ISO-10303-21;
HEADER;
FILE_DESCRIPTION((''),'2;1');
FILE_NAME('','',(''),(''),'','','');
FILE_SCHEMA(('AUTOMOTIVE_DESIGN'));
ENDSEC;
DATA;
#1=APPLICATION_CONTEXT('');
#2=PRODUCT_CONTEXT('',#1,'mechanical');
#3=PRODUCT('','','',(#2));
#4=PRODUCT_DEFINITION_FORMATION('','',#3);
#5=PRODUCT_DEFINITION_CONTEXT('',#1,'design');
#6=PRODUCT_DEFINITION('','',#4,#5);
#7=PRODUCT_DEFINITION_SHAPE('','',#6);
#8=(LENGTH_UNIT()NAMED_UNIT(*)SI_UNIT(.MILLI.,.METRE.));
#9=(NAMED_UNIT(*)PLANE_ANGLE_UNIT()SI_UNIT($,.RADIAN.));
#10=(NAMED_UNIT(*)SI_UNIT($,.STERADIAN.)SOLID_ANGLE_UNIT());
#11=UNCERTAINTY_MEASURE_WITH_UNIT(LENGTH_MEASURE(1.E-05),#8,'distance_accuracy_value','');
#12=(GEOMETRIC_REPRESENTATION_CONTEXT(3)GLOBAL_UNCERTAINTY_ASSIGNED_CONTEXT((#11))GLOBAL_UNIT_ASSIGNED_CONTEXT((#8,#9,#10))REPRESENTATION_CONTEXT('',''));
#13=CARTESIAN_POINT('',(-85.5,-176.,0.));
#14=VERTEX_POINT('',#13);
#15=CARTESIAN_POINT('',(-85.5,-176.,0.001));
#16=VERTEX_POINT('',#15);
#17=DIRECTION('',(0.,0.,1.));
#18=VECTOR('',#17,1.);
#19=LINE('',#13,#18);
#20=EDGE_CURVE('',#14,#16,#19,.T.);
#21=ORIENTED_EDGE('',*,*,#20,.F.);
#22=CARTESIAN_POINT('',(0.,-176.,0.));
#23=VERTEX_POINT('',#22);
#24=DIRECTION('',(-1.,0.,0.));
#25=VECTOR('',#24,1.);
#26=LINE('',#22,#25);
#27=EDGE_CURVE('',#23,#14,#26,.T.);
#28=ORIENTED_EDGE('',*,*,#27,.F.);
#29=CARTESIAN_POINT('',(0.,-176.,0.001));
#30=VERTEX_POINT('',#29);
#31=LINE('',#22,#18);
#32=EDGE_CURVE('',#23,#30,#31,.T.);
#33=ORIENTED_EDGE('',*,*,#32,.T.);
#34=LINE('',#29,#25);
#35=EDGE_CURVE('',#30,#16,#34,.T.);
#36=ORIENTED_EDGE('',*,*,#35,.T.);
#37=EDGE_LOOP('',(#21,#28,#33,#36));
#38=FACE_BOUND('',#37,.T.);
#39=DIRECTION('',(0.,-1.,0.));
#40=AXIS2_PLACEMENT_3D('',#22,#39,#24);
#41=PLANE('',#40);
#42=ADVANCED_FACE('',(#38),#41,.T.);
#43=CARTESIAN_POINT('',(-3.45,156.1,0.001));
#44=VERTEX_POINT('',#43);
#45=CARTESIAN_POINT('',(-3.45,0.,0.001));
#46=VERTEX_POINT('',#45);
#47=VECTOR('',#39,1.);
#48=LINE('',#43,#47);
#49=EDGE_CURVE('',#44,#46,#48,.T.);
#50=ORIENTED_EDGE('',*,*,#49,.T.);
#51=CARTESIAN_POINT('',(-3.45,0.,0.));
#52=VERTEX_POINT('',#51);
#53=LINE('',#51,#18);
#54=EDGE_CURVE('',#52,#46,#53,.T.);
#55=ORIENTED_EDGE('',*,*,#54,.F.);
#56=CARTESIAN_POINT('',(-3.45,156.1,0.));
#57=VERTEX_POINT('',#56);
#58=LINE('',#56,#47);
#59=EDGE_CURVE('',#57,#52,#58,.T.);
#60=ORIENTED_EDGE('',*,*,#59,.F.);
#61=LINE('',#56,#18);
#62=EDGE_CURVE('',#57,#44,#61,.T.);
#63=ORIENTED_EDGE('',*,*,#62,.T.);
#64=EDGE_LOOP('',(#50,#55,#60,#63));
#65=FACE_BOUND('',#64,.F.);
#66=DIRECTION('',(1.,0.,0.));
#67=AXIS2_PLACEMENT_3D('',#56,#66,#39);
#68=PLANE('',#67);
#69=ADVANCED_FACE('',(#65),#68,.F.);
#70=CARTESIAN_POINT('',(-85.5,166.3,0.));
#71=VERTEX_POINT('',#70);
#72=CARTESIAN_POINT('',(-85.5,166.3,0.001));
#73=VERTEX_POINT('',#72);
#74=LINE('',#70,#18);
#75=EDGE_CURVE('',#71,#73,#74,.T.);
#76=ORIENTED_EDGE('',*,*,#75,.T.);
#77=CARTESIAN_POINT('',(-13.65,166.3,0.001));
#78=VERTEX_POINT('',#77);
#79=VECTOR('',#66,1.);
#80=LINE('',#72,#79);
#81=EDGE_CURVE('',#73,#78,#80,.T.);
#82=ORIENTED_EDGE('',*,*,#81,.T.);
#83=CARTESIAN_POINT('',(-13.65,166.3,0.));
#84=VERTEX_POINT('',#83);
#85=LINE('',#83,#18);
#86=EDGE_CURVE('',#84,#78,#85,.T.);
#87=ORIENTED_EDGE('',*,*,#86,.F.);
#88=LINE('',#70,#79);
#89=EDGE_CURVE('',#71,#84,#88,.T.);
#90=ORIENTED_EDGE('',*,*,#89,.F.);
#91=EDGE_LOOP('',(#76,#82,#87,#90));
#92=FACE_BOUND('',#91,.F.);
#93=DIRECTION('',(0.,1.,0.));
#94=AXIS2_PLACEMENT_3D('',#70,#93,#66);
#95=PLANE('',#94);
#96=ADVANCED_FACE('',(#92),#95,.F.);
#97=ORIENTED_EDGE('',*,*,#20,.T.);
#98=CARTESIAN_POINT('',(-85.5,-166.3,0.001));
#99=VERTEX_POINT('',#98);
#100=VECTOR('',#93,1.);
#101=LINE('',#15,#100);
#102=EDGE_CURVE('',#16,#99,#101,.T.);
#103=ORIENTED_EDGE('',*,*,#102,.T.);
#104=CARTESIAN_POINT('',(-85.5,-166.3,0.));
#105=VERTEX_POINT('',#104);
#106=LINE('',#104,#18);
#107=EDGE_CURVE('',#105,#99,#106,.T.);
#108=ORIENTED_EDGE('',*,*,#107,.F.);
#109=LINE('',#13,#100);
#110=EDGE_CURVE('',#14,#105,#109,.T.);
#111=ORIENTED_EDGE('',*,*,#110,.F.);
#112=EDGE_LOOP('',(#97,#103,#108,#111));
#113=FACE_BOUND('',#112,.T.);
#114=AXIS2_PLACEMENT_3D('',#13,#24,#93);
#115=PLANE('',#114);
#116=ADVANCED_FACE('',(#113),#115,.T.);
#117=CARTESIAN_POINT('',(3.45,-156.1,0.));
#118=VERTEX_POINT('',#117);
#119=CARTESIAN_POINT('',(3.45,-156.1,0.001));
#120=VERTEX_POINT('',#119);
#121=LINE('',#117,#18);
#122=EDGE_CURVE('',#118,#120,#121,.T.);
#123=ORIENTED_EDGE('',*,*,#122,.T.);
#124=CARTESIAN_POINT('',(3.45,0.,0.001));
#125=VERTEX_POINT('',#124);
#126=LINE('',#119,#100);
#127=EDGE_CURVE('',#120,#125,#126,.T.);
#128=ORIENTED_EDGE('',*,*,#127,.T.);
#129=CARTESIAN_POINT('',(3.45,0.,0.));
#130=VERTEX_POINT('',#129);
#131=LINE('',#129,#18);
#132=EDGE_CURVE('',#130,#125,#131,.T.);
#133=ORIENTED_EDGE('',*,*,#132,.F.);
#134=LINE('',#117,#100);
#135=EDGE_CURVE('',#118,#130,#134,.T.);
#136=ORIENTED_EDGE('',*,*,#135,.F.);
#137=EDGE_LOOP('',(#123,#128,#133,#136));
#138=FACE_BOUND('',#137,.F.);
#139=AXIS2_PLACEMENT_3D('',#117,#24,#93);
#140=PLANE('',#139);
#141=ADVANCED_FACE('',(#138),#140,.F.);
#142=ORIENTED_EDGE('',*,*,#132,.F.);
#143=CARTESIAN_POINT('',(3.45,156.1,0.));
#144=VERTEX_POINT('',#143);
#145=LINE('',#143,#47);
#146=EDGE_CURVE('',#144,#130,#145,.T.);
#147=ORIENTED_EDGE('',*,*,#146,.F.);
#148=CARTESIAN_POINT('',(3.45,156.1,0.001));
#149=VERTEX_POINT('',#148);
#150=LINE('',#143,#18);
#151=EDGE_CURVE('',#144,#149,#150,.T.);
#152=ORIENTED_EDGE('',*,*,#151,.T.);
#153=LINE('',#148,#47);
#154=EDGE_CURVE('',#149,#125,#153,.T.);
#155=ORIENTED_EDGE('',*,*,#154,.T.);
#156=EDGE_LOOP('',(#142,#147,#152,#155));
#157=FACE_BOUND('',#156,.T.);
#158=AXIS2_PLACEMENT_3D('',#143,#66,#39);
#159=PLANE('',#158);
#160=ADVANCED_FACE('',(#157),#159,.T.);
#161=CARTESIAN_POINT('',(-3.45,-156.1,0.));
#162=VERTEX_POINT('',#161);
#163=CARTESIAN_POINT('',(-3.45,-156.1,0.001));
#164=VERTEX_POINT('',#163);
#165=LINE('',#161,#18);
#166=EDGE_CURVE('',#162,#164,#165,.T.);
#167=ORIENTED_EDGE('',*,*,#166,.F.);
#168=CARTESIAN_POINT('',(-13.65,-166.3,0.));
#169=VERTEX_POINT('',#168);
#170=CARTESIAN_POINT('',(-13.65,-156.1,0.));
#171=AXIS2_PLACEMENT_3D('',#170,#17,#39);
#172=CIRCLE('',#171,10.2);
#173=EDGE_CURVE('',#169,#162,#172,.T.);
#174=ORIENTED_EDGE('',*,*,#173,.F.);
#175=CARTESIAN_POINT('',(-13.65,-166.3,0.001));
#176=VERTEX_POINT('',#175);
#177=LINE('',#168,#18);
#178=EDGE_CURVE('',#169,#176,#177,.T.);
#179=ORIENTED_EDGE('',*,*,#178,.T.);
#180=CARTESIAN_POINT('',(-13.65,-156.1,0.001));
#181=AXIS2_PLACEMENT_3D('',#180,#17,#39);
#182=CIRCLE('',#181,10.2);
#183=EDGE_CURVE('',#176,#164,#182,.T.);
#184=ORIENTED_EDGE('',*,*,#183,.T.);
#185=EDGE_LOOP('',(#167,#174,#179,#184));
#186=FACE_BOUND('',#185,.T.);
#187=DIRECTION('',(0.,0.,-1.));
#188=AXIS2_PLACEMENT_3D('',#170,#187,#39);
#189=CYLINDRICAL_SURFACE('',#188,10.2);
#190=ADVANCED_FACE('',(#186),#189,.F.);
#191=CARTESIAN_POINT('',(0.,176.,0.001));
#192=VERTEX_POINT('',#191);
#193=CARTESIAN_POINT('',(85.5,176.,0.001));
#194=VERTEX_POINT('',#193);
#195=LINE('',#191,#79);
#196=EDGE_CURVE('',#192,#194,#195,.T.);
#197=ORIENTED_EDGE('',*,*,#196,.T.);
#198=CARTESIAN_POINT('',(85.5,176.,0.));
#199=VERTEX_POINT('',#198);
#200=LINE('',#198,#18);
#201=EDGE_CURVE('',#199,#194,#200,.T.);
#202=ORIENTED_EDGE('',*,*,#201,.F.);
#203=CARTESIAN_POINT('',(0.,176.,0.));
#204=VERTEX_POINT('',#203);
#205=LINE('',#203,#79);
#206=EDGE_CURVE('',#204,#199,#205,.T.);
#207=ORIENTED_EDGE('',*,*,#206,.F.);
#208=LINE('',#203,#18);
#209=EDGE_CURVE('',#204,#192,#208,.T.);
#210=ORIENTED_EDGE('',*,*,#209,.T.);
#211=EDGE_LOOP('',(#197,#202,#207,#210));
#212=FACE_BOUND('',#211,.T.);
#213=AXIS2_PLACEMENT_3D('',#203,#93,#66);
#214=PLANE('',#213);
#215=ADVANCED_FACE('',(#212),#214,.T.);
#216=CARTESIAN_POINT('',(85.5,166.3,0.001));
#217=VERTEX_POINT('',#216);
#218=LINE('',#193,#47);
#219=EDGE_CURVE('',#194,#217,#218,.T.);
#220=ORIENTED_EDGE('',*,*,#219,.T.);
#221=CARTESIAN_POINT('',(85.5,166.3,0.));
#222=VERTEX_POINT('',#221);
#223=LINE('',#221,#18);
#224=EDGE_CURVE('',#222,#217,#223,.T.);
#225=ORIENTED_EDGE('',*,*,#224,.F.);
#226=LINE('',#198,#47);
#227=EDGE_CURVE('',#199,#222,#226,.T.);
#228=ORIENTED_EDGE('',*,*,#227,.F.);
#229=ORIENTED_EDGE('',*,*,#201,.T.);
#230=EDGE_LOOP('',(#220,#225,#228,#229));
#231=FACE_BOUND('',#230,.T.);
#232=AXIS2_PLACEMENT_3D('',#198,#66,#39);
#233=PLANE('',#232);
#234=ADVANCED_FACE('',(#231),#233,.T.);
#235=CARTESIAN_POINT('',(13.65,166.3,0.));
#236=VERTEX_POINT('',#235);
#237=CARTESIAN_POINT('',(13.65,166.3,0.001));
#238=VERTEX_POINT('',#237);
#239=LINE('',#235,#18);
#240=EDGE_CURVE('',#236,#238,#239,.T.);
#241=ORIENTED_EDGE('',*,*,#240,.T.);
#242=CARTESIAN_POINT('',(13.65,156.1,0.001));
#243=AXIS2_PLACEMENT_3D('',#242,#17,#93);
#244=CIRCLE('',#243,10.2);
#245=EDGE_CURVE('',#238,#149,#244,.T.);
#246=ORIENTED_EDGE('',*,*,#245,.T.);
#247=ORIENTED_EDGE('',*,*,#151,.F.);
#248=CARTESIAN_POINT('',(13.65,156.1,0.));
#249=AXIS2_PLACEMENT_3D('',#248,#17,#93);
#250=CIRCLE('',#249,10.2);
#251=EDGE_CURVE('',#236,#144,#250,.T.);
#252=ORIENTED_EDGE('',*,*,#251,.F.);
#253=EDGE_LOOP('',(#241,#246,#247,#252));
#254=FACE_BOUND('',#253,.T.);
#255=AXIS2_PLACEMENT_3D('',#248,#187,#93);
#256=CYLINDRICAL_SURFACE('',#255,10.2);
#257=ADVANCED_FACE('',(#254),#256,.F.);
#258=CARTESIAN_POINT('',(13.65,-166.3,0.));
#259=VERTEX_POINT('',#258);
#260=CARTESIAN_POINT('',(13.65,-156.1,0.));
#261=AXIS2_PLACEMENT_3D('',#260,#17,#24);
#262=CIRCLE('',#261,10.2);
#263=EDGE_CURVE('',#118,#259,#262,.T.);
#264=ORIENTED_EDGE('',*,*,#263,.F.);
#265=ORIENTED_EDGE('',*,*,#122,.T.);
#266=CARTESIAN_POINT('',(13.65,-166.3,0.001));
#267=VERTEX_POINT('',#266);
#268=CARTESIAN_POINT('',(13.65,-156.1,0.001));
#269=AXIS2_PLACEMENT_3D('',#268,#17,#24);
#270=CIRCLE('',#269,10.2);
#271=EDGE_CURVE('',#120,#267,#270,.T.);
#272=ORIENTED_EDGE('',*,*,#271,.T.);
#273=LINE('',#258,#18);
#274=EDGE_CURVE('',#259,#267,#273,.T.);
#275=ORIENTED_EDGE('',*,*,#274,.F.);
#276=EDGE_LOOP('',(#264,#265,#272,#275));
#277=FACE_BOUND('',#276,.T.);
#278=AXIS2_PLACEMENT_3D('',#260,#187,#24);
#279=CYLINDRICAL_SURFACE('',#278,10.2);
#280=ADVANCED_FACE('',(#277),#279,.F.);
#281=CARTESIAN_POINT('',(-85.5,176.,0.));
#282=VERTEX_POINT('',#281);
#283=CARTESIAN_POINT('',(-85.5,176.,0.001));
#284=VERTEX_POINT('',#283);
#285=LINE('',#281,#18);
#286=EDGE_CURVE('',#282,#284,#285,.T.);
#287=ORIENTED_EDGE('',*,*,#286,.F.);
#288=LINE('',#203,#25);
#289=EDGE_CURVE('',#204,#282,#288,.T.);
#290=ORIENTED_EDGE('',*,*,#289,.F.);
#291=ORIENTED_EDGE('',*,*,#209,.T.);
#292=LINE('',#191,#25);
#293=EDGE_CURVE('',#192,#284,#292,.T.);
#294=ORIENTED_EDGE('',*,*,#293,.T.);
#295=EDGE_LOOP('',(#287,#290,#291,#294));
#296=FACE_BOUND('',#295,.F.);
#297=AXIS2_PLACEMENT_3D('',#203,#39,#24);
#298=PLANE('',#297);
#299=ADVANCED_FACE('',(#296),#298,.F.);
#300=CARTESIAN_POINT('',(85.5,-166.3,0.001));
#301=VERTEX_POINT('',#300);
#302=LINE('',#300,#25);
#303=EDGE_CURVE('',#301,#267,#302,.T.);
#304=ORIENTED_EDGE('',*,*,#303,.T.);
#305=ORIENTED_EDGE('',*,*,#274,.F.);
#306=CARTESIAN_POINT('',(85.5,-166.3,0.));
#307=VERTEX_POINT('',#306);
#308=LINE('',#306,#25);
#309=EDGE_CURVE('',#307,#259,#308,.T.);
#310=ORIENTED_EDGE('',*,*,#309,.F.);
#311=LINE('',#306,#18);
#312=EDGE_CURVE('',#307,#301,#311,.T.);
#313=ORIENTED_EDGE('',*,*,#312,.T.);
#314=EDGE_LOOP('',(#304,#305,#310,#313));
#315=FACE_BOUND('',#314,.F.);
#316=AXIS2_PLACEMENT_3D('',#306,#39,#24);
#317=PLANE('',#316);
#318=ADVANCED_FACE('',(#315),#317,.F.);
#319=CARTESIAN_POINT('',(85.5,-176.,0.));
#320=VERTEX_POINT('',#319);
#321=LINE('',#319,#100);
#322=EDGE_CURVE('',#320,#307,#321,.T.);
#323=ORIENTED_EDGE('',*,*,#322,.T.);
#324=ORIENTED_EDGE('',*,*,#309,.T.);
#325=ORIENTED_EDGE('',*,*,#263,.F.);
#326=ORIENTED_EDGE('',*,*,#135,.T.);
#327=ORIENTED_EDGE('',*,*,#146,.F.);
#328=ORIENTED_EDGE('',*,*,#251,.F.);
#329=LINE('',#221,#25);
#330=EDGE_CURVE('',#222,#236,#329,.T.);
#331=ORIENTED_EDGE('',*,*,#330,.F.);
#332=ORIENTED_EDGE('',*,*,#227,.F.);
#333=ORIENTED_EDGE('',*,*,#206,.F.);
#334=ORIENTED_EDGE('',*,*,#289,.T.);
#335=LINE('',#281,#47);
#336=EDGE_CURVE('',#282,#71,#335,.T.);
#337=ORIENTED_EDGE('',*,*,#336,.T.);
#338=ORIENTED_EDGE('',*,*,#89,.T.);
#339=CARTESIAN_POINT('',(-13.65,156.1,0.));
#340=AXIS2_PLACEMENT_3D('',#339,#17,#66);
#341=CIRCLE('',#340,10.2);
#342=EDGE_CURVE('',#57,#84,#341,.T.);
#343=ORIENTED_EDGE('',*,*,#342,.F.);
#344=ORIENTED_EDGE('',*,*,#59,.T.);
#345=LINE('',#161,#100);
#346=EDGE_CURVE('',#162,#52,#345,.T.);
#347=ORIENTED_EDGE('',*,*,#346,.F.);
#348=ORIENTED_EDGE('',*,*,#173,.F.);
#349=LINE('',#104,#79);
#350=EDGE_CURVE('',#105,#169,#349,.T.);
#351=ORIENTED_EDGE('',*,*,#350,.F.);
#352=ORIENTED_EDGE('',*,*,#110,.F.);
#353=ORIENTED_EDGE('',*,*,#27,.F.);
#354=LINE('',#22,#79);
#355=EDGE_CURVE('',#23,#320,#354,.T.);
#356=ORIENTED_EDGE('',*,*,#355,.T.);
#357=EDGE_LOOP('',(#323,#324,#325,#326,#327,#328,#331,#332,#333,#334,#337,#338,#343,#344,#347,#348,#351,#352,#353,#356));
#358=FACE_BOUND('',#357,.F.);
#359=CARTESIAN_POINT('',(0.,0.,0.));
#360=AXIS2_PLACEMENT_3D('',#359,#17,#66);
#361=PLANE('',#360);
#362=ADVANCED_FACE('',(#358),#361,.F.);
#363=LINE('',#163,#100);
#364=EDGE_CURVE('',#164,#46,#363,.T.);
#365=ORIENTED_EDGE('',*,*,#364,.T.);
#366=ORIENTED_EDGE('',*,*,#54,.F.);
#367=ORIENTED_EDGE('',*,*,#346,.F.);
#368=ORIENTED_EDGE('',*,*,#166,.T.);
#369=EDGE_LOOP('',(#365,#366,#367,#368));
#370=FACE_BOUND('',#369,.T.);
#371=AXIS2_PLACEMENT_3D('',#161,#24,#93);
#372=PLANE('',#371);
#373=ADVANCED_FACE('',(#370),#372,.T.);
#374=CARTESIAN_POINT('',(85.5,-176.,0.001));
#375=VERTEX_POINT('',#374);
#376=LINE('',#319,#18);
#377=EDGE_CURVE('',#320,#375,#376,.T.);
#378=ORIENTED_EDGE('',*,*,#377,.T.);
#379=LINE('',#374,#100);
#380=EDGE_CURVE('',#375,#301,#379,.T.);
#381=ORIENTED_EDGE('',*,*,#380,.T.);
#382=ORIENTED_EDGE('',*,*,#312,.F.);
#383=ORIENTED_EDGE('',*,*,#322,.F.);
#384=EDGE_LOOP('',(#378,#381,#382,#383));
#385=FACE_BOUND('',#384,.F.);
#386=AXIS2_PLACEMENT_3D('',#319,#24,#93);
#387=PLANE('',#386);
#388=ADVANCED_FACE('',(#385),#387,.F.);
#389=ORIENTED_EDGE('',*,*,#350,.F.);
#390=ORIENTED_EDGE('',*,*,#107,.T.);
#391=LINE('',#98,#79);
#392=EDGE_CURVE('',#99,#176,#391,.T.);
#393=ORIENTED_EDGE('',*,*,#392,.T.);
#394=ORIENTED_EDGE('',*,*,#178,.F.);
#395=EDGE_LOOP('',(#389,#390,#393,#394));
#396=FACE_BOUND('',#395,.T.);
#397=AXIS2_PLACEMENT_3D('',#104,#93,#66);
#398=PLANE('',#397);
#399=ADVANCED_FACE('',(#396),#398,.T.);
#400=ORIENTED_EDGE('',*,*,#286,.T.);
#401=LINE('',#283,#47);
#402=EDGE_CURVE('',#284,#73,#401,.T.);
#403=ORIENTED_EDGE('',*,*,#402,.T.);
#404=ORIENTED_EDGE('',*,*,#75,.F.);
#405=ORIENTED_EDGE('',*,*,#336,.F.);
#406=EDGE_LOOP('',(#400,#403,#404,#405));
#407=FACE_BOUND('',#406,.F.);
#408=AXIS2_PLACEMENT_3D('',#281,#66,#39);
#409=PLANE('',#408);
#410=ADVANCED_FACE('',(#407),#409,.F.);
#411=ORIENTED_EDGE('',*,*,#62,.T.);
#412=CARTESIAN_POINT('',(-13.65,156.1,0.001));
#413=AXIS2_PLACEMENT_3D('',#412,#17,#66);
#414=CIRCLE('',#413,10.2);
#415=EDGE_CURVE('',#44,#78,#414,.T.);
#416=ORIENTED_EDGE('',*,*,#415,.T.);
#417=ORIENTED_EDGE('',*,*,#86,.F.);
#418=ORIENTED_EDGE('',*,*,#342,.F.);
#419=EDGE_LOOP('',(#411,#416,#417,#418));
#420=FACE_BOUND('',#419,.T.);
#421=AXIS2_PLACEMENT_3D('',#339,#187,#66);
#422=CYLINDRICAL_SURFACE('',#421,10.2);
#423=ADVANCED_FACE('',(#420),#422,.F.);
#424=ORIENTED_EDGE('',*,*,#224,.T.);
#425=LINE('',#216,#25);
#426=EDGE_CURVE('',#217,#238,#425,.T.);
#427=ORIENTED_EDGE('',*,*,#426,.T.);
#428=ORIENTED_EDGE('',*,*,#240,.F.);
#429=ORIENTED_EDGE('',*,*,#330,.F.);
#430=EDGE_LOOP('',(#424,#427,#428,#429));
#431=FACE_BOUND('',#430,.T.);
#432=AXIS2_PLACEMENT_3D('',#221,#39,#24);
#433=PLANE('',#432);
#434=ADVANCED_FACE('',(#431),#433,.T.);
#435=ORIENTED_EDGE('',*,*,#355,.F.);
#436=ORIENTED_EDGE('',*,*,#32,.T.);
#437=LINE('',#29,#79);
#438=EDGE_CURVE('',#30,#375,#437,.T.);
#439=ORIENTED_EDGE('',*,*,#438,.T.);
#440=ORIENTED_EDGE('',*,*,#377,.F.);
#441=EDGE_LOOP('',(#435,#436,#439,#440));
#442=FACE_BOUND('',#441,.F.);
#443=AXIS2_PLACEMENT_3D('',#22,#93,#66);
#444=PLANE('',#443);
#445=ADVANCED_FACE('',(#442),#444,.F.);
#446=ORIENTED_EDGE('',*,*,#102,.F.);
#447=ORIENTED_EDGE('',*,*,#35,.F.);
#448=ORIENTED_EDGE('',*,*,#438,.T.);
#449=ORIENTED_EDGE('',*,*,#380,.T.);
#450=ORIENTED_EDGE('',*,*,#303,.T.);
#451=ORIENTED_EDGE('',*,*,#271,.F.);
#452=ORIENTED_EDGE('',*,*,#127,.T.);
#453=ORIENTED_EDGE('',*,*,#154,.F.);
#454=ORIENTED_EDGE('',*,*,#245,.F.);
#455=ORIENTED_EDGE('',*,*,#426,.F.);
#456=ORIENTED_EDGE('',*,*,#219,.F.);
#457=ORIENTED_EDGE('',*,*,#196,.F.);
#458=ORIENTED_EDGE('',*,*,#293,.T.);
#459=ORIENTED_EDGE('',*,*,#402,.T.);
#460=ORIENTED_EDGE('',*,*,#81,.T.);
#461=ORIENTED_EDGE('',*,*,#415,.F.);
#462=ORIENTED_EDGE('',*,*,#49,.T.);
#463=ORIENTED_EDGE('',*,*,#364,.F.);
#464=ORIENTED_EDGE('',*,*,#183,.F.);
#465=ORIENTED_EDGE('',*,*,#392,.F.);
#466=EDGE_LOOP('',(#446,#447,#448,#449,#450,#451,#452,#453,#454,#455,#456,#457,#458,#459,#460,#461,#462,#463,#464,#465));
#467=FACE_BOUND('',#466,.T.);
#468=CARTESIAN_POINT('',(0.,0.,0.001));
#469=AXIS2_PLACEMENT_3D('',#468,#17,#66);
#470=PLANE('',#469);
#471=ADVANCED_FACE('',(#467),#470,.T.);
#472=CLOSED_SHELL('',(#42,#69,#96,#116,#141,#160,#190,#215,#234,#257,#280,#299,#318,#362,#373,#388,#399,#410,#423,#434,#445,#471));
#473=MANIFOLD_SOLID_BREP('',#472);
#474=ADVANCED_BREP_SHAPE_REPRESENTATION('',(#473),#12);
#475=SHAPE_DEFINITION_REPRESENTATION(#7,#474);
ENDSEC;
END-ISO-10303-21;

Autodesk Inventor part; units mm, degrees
ref_plane "YZ Plane" through (0, 0, 0) normal (1, 0, 0) x (0, 1, 0)
ref_plane "Start plane" through (0, 0, 0) normal (0, 0, 1) x (1, 0, 0)
ref_plane "End plane" through (0, 0, 0.001) normal (0, 0, 1) x (1, 0, 0)
sketch "Sketch" plane through (0, 0, 0) normal (0, 0, 1) x (1, 0, 0)
  line L0 (-85.5, -176) -> (-85.5, -166.3)
  line L1 (-85.5, -166.3) -> (-13.65, -166.3)
  line L2 (-3.45, -156.1) -> (-3.45, 0)
  line L3 (-3.45, 0) -> (0, 0) construction
  line L4 (0, 0) -> (0, -176) construction
  line L5 (0, -176) -> (-85.5, -176)
  line L6 (-60, 0) -> (80, 0) construction
  line L7 (0, -60) -> (0, 80) construction
  line L8 (85.5, -176) -> (85.5, -166.3)
  line L9 (85.5, -166.3) -> (13.65, -166.3)
  line L10 (3.45, -156.1) -> (3.45, 0)
  line L11 (3.45, 0) -> (0, 0) construction
  line L12 (0, -176) -> (85.5, -176)
  line L13 (-85.5, 176) -> (-85.5, 166.3)
  line L14 (-85.5, 166.3) -> (-13.65, 166.3)
  line L15 (-3.45, 156.1) -> (-3.45, 0)
  line L16 (0, 176) -> (-85.5, 176)
  line L17 (85.5, 176) -> (85.5, 166.3)
  line L18 (85.5, 166.3) -> (13.65, 166.3)
  line L19 (0, 176) -> (85.5, 176)
  line L20 (3.45, 156.1) -> (3.45, 0)
  arc A0 (-3.45, 156.1) -> (-13.65, 166.3) centre (-13.65, 156.1) ccw
  arc A1 (13.65, 166.3) -> (3.45, 156.1) centre (13.65, 156.1) ccw
  arc A2 (3.45, -156.1) -> (13.65, -166.3) centre (13.65, -156.1) ccw
  arc A3 (-13.65, -166.3) -> (-3.45, -156.1) centre (-13.65, -156.1) ccw
  line L21 (0, 108) -> (0, -88) construction
  line L22 (-88, 0) -> (108, 0) construction
  point P0 (-3.45, -166.3)
  point P1 (3.45, -166.3)
  point P2 (-3.45, 166.3)
  point P3 (3.45, 166.3)
  dimension "d1" = 176
  dimension "d2" = 9.7
  dimension "d3" = 85.5
  dimension "d4" = 3.45
  dimension "d10" = 10.2
extrude "Body" add sketch "Sketch" along normal up to surface (0.001 mm away) from surface at 0
sketch "Sketch4" plane through (0, 0, 0) normal (0, 0, 1) x (1, 0, 0)
  line L0 (0, 0) -> (10, 0)
ref_plane "Work Plane3" through (0, 0, 0) normal (0, -1, 0) x (1, 0, 0)
sketch "Sketch5" plane through (0, 0, 0) normal (0, -1, 0) x (1, 0, 0)
  line L0 (-2, 0) -> (12, 0) projected
  line L1 (-2, 0.001) -> (12, 0.001) projected
  dimension "d14" = 0.001
equation "\"d1\" = 0.5 * G_H"
equation "\"d2\" = G_T1"
equation "\"d3\" = 0.5 * G_W"
equation "\"d4\" = 0.5 * G_T"
equation "\"d10\" = G_IR"
equation "\"d5\" = G_L"
equation "\"G_W\" = 171"
equation "\"G_H\" = 352"
equation "\"G_T\" = 6.9"
equation "\"G_T1\" = 9.7"
equation "\"G_IR\" = 10.2"
equation "\"G_L\" = d14"
equation "\"G_OFFSET_START\" = 0"
equation "\"G_OFFSET_END\" = 0"
equation "\"d12\" = G_OFFSET_END + B_L"
equation "\"B_L\" = 0.001"
properties part number "AS 3679-1990 - 360 UB - 45 - 0.001" material "Steel, Mild"
